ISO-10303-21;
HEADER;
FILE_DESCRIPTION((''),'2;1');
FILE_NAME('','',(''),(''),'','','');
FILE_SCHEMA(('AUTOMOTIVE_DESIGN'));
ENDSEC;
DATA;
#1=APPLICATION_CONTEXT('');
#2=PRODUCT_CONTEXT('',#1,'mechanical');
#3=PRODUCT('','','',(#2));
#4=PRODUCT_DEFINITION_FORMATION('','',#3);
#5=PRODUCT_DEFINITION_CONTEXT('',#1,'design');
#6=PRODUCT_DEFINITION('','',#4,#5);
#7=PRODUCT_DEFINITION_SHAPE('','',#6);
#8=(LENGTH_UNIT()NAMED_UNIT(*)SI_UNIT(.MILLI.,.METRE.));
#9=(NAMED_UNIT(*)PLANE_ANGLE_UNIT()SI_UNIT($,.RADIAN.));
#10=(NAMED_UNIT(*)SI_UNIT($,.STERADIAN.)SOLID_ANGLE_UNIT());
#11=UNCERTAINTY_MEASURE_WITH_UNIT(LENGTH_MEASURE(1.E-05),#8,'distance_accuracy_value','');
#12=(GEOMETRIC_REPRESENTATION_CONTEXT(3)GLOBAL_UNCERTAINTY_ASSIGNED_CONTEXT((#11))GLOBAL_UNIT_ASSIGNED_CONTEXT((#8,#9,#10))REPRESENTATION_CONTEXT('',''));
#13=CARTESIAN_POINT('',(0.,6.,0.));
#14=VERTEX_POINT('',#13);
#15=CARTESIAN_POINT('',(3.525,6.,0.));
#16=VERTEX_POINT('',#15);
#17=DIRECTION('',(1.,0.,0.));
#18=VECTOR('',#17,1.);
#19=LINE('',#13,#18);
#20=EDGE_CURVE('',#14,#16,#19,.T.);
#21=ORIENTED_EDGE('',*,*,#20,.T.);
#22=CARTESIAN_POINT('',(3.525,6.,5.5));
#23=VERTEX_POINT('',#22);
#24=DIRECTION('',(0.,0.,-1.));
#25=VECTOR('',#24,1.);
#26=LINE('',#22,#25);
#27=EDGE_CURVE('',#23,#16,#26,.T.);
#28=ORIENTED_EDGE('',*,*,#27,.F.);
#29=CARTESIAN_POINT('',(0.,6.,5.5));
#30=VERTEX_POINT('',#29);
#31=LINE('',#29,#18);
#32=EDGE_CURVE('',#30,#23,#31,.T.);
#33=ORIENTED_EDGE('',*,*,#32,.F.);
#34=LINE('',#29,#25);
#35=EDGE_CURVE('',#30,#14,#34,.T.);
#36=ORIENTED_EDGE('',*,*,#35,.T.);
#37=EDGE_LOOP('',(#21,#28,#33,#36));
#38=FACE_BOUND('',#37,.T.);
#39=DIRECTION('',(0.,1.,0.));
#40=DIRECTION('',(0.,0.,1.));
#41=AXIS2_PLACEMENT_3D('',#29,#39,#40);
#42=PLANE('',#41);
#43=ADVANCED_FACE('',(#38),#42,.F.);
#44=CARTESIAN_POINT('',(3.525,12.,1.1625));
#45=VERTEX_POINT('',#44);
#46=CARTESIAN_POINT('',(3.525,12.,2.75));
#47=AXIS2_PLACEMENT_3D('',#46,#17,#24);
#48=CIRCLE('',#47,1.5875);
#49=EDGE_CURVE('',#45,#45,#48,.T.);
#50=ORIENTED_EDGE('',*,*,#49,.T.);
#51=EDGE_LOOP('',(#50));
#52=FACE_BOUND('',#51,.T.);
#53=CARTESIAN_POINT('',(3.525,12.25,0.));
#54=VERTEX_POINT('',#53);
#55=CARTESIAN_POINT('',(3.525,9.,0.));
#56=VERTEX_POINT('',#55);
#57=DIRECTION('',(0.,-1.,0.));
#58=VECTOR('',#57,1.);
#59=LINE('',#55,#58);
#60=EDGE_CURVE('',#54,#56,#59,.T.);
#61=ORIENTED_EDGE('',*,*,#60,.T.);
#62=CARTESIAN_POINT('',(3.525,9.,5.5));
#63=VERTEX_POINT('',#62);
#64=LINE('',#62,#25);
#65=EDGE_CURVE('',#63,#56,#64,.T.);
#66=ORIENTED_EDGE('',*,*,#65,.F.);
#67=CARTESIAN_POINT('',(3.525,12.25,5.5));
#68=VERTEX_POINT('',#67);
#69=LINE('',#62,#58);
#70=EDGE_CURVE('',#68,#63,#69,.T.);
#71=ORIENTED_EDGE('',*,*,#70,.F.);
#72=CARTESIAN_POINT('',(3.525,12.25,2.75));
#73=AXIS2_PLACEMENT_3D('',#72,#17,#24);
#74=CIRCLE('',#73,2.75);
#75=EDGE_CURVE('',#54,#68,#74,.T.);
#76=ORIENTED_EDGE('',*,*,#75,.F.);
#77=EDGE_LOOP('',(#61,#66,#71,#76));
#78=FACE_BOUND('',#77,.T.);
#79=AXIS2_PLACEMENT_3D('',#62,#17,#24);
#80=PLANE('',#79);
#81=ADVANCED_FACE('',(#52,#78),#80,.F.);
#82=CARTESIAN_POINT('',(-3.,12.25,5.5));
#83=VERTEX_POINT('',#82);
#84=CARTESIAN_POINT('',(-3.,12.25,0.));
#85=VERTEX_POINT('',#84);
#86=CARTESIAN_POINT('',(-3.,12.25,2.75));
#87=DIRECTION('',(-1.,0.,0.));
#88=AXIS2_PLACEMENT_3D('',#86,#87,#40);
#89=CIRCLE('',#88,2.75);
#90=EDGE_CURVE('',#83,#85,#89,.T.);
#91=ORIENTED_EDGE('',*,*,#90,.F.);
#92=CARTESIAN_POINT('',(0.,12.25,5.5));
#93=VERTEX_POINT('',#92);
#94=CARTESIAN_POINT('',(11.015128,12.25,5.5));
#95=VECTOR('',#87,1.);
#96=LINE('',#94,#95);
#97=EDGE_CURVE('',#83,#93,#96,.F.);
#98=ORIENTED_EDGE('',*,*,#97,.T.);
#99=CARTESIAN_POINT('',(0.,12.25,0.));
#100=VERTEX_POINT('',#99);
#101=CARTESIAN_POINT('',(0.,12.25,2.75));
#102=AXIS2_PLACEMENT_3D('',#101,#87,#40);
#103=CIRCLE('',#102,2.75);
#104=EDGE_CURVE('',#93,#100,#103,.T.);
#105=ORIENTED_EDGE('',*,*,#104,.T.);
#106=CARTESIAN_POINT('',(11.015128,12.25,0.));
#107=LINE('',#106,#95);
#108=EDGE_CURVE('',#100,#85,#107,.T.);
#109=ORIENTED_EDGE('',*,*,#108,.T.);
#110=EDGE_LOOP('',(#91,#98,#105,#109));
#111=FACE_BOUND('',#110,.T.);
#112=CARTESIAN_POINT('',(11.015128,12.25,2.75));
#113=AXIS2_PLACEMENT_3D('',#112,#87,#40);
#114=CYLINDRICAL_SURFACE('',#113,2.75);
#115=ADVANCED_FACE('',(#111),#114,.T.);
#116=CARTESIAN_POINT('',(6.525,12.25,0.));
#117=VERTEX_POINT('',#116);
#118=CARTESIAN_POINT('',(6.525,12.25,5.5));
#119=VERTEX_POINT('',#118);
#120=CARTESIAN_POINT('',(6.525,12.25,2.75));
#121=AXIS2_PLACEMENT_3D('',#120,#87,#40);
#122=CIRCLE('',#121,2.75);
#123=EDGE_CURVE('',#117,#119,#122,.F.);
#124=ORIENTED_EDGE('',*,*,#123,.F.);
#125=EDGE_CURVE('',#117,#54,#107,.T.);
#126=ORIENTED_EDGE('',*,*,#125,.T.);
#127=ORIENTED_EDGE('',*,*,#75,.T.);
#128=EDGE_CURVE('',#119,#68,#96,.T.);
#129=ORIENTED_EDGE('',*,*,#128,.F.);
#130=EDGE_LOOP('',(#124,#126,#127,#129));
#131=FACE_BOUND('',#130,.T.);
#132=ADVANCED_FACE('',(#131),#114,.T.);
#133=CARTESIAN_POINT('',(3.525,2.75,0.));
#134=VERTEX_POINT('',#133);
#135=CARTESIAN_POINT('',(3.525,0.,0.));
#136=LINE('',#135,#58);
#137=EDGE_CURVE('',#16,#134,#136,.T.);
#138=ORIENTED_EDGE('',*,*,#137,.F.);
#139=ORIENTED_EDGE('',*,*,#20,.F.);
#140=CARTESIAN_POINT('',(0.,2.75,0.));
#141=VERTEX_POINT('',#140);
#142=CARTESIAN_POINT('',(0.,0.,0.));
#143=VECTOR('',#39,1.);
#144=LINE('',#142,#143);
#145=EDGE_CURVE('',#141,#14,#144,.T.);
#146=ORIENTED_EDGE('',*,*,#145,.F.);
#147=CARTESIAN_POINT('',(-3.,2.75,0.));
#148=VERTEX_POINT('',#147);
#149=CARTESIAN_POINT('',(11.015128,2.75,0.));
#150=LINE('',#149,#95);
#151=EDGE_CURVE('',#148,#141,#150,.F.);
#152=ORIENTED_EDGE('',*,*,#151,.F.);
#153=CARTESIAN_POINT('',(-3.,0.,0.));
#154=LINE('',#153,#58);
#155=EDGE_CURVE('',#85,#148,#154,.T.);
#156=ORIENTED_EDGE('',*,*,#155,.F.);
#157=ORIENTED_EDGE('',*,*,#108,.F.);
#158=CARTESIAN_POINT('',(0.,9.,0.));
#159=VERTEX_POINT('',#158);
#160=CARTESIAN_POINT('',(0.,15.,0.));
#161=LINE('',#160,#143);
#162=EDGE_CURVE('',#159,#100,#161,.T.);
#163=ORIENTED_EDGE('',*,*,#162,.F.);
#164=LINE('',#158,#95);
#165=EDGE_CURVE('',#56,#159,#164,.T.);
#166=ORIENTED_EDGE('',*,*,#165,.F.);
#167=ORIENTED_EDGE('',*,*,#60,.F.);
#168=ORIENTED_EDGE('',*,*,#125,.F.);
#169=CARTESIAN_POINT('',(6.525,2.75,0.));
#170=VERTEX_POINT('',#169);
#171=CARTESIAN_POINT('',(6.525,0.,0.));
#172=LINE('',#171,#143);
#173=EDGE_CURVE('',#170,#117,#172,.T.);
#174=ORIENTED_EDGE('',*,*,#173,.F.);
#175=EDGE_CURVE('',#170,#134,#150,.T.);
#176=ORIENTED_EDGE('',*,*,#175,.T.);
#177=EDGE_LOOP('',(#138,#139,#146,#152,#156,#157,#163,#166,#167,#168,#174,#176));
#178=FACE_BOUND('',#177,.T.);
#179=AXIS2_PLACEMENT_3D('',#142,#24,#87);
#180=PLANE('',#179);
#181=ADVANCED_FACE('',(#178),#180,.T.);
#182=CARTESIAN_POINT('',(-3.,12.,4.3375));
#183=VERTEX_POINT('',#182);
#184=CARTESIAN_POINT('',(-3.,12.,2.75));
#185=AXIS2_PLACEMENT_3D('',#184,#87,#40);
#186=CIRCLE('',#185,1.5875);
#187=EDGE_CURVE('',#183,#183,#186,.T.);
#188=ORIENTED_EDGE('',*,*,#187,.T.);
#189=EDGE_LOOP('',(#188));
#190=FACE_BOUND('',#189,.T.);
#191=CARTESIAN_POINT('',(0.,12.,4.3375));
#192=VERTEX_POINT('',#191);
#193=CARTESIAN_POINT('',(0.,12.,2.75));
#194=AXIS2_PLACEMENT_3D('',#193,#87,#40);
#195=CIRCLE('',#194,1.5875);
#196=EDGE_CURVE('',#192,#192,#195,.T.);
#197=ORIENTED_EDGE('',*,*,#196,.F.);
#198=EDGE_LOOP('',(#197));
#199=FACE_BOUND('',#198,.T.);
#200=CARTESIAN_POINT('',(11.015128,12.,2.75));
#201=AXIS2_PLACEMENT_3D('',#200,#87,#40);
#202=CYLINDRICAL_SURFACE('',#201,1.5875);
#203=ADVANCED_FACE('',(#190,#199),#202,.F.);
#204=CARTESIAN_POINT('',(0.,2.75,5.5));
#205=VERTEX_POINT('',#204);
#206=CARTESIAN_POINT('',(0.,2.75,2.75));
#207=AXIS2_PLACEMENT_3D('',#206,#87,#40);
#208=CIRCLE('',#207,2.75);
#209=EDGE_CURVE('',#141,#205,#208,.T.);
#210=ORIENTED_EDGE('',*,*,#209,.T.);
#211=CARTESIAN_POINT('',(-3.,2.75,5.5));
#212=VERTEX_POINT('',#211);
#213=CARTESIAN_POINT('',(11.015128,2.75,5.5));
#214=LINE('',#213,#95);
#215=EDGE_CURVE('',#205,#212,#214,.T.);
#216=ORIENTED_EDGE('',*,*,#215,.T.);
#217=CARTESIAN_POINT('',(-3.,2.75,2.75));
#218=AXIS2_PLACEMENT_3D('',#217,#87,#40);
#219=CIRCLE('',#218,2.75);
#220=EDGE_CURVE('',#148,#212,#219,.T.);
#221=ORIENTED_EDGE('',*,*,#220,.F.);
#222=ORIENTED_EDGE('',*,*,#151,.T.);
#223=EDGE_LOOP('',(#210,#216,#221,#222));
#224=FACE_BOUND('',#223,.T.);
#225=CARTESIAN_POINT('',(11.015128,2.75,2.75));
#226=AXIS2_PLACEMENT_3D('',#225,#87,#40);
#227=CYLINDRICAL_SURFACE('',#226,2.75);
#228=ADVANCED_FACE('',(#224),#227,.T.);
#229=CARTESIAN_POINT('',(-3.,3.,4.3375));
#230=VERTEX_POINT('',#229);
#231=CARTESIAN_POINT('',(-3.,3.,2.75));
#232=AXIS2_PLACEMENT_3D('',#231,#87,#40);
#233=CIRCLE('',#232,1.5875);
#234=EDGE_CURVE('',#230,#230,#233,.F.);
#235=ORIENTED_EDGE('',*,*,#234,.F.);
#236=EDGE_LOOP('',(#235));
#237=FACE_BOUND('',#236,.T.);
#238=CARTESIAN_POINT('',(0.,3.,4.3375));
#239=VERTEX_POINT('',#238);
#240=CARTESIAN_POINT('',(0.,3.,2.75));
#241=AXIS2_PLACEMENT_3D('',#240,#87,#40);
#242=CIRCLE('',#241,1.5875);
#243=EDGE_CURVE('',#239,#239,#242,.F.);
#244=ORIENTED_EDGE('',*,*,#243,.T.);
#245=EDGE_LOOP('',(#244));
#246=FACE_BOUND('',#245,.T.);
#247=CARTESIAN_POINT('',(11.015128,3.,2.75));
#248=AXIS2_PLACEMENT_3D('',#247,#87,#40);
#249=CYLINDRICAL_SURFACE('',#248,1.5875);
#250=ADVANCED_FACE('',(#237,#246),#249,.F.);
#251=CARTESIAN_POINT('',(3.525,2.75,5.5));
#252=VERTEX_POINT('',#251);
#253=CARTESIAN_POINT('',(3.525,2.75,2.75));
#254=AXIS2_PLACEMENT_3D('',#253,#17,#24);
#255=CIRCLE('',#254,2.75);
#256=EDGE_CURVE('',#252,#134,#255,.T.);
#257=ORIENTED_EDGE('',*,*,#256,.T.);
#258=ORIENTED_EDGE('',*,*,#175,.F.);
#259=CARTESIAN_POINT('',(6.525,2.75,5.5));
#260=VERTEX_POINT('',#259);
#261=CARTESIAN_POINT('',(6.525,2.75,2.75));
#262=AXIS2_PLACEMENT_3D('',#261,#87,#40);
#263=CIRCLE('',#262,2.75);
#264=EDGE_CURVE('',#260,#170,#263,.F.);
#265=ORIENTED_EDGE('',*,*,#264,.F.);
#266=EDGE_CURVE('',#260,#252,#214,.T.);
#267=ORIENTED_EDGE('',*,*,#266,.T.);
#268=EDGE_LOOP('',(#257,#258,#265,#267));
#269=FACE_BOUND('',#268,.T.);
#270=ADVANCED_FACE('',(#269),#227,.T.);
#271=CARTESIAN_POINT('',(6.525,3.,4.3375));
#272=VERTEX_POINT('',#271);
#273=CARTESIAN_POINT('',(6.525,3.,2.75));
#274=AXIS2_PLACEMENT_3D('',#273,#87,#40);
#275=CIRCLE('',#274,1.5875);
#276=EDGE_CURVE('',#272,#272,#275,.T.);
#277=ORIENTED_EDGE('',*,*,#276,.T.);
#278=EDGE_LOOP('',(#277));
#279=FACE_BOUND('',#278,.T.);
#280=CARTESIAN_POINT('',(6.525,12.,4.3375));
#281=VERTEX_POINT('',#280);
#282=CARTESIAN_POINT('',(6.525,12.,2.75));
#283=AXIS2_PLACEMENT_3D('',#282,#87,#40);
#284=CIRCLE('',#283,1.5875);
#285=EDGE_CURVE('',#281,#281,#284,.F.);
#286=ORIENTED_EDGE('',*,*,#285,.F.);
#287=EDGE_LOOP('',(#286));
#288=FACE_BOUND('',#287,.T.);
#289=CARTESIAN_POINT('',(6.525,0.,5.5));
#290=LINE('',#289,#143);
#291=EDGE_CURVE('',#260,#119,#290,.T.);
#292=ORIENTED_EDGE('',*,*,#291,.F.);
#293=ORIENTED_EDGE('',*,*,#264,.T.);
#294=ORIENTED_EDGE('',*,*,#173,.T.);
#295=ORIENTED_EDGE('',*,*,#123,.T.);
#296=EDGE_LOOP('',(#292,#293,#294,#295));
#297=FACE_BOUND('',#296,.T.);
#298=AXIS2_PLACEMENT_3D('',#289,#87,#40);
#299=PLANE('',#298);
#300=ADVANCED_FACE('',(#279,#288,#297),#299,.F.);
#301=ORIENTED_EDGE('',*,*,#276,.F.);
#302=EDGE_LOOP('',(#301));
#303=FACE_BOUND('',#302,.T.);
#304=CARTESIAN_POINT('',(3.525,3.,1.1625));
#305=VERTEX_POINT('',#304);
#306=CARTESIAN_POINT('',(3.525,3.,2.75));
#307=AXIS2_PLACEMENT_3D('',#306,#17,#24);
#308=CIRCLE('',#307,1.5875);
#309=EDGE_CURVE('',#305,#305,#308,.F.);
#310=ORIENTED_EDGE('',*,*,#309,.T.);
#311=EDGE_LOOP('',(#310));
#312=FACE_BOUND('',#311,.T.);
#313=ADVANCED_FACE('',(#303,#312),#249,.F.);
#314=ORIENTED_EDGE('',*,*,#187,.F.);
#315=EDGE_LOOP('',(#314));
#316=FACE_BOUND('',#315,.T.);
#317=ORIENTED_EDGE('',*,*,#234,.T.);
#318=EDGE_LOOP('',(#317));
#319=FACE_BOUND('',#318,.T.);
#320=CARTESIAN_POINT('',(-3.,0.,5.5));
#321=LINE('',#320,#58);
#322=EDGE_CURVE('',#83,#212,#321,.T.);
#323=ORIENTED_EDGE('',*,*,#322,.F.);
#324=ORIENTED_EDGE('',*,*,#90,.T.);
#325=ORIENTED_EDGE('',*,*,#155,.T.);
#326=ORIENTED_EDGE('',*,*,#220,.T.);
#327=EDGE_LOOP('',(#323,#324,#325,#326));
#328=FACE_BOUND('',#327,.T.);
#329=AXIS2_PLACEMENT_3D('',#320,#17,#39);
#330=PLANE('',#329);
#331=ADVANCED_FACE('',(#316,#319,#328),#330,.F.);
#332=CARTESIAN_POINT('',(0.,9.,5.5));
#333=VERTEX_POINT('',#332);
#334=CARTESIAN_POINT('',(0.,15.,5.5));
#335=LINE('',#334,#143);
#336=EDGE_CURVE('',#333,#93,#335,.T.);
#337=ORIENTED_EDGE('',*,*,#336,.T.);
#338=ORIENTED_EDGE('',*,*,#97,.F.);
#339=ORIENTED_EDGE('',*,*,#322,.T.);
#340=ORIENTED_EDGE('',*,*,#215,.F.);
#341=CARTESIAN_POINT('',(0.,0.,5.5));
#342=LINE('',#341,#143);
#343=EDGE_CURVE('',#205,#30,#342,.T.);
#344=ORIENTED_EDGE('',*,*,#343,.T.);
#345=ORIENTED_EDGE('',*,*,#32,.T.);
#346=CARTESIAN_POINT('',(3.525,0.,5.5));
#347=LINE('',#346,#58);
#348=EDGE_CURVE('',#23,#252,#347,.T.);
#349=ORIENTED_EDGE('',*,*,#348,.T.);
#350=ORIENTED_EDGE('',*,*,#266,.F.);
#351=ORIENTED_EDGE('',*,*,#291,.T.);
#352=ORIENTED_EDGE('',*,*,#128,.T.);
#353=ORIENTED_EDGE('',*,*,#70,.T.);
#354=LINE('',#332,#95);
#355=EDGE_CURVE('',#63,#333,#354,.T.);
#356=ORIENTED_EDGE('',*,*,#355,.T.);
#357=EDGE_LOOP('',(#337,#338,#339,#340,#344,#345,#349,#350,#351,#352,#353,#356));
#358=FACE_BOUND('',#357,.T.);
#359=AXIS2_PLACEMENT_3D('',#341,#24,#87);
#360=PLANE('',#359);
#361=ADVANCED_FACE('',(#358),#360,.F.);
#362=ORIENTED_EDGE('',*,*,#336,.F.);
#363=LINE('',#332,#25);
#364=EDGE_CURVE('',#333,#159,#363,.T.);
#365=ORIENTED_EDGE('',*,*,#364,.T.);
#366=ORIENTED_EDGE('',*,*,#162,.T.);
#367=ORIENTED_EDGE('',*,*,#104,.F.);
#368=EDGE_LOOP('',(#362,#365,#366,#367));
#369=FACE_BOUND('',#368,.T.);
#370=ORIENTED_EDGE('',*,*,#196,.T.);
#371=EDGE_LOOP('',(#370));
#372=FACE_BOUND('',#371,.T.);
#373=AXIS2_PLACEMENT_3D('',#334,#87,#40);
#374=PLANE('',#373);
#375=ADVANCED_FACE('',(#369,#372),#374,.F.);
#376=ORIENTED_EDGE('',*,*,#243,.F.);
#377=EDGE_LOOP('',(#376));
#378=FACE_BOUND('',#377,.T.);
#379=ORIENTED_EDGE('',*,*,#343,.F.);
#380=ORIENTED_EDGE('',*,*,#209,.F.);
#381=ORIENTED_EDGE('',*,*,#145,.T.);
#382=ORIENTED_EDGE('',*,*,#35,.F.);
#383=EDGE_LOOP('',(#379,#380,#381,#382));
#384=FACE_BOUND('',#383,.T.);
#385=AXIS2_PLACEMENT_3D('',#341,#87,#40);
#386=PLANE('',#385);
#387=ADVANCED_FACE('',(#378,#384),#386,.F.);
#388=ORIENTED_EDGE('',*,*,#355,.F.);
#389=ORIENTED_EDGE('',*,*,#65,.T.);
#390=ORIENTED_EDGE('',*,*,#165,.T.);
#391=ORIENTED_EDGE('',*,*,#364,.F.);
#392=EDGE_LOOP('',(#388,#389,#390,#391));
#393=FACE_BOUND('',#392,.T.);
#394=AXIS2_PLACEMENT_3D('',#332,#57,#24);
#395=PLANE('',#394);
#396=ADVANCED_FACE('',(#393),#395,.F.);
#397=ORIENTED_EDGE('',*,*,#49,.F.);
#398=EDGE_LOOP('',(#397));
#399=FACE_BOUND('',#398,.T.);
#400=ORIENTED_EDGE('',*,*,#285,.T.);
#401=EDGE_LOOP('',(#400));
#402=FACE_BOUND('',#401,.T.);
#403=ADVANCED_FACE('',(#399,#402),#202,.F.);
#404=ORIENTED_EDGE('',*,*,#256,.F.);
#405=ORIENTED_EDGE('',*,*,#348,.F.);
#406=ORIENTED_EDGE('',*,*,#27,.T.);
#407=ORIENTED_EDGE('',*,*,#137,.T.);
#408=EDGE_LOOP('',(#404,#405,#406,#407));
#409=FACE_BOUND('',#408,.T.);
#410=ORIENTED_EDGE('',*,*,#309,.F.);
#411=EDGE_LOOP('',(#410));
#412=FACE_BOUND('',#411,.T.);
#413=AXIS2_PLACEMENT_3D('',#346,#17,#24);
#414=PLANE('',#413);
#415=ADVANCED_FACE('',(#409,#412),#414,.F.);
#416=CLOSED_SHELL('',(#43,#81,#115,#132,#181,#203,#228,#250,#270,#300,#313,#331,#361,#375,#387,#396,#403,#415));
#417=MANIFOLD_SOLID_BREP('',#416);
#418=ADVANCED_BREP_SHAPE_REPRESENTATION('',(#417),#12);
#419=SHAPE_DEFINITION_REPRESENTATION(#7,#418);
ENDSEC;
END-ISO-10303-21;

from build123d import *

# Parameters (mm, degrees)
BOSS_EXTRUDE1_DEPTH = 5.5
SKETCH3_R           = 1.5875
CUT_EXTRUDE1_DEPTH  = 9.525


with BuildPart() as part:
    # Sketch1 → Boss-Extrude1 (new body)
    with BuildSketch(Plane.XY):
        Polygon((0, 0), (-3, 0), (-3, 15), (0, 15), (0, 9), (3.525, 9), (3.525, 15), (6.525, 15), (6.525, 0), (3.525, 0), (3.525, 6), (0, 6), align=None)
    extrude(amount=BOSS_EXTRUDE1_DEPTH)

    # Sketch3 → Cut-Extrude1 (cut)
    with BuildSketch(Plane.ZY.offset(3)):
        with BuildLine():
            Line((5.5, 15), (2.75, 15))
            ThreePointArc((2.75, 15), (4.694543648, 14.194543648), (5.5, 12.25))
            Line((5.5, 12.25), (5.5, 15))
        make_face()
        with BuildLine():
            Line((0, 15), (0, 12.25))
            ThreePointArc((0, 12.25), (0.805456352, 14.194543648), (2.75, 15))
            Line((2.75, 15), (0, 15))
        make_face()
        with Locations((2.75, 12)):
            Circle(SKETCH3_R)
        with Locations((2.75, 3)):
            Circle(SKETCH3_R)
        with BuildLine():
            ThreePointArc((2.75, 0), (0.805456352, 0.805456352), (0, 2.75))
            Line((0, 2.75), (0, 0))
            Line((0, 0), (2.75, 0))
        make_face()
        with BuildLine():
            ThreePointArc((2.75, 0), (4.694543648, 0.805456352), (5.5, 2.75))
            Line((5.5, 2.75), (5.5, 0))
            Line((5.5, 0), (2.75, 0))
        make_face()
    extrude(amount=-CUT_EXTRUDE1_DEPTH, mode=Mode.SUBTRACT)


solid = part.part
